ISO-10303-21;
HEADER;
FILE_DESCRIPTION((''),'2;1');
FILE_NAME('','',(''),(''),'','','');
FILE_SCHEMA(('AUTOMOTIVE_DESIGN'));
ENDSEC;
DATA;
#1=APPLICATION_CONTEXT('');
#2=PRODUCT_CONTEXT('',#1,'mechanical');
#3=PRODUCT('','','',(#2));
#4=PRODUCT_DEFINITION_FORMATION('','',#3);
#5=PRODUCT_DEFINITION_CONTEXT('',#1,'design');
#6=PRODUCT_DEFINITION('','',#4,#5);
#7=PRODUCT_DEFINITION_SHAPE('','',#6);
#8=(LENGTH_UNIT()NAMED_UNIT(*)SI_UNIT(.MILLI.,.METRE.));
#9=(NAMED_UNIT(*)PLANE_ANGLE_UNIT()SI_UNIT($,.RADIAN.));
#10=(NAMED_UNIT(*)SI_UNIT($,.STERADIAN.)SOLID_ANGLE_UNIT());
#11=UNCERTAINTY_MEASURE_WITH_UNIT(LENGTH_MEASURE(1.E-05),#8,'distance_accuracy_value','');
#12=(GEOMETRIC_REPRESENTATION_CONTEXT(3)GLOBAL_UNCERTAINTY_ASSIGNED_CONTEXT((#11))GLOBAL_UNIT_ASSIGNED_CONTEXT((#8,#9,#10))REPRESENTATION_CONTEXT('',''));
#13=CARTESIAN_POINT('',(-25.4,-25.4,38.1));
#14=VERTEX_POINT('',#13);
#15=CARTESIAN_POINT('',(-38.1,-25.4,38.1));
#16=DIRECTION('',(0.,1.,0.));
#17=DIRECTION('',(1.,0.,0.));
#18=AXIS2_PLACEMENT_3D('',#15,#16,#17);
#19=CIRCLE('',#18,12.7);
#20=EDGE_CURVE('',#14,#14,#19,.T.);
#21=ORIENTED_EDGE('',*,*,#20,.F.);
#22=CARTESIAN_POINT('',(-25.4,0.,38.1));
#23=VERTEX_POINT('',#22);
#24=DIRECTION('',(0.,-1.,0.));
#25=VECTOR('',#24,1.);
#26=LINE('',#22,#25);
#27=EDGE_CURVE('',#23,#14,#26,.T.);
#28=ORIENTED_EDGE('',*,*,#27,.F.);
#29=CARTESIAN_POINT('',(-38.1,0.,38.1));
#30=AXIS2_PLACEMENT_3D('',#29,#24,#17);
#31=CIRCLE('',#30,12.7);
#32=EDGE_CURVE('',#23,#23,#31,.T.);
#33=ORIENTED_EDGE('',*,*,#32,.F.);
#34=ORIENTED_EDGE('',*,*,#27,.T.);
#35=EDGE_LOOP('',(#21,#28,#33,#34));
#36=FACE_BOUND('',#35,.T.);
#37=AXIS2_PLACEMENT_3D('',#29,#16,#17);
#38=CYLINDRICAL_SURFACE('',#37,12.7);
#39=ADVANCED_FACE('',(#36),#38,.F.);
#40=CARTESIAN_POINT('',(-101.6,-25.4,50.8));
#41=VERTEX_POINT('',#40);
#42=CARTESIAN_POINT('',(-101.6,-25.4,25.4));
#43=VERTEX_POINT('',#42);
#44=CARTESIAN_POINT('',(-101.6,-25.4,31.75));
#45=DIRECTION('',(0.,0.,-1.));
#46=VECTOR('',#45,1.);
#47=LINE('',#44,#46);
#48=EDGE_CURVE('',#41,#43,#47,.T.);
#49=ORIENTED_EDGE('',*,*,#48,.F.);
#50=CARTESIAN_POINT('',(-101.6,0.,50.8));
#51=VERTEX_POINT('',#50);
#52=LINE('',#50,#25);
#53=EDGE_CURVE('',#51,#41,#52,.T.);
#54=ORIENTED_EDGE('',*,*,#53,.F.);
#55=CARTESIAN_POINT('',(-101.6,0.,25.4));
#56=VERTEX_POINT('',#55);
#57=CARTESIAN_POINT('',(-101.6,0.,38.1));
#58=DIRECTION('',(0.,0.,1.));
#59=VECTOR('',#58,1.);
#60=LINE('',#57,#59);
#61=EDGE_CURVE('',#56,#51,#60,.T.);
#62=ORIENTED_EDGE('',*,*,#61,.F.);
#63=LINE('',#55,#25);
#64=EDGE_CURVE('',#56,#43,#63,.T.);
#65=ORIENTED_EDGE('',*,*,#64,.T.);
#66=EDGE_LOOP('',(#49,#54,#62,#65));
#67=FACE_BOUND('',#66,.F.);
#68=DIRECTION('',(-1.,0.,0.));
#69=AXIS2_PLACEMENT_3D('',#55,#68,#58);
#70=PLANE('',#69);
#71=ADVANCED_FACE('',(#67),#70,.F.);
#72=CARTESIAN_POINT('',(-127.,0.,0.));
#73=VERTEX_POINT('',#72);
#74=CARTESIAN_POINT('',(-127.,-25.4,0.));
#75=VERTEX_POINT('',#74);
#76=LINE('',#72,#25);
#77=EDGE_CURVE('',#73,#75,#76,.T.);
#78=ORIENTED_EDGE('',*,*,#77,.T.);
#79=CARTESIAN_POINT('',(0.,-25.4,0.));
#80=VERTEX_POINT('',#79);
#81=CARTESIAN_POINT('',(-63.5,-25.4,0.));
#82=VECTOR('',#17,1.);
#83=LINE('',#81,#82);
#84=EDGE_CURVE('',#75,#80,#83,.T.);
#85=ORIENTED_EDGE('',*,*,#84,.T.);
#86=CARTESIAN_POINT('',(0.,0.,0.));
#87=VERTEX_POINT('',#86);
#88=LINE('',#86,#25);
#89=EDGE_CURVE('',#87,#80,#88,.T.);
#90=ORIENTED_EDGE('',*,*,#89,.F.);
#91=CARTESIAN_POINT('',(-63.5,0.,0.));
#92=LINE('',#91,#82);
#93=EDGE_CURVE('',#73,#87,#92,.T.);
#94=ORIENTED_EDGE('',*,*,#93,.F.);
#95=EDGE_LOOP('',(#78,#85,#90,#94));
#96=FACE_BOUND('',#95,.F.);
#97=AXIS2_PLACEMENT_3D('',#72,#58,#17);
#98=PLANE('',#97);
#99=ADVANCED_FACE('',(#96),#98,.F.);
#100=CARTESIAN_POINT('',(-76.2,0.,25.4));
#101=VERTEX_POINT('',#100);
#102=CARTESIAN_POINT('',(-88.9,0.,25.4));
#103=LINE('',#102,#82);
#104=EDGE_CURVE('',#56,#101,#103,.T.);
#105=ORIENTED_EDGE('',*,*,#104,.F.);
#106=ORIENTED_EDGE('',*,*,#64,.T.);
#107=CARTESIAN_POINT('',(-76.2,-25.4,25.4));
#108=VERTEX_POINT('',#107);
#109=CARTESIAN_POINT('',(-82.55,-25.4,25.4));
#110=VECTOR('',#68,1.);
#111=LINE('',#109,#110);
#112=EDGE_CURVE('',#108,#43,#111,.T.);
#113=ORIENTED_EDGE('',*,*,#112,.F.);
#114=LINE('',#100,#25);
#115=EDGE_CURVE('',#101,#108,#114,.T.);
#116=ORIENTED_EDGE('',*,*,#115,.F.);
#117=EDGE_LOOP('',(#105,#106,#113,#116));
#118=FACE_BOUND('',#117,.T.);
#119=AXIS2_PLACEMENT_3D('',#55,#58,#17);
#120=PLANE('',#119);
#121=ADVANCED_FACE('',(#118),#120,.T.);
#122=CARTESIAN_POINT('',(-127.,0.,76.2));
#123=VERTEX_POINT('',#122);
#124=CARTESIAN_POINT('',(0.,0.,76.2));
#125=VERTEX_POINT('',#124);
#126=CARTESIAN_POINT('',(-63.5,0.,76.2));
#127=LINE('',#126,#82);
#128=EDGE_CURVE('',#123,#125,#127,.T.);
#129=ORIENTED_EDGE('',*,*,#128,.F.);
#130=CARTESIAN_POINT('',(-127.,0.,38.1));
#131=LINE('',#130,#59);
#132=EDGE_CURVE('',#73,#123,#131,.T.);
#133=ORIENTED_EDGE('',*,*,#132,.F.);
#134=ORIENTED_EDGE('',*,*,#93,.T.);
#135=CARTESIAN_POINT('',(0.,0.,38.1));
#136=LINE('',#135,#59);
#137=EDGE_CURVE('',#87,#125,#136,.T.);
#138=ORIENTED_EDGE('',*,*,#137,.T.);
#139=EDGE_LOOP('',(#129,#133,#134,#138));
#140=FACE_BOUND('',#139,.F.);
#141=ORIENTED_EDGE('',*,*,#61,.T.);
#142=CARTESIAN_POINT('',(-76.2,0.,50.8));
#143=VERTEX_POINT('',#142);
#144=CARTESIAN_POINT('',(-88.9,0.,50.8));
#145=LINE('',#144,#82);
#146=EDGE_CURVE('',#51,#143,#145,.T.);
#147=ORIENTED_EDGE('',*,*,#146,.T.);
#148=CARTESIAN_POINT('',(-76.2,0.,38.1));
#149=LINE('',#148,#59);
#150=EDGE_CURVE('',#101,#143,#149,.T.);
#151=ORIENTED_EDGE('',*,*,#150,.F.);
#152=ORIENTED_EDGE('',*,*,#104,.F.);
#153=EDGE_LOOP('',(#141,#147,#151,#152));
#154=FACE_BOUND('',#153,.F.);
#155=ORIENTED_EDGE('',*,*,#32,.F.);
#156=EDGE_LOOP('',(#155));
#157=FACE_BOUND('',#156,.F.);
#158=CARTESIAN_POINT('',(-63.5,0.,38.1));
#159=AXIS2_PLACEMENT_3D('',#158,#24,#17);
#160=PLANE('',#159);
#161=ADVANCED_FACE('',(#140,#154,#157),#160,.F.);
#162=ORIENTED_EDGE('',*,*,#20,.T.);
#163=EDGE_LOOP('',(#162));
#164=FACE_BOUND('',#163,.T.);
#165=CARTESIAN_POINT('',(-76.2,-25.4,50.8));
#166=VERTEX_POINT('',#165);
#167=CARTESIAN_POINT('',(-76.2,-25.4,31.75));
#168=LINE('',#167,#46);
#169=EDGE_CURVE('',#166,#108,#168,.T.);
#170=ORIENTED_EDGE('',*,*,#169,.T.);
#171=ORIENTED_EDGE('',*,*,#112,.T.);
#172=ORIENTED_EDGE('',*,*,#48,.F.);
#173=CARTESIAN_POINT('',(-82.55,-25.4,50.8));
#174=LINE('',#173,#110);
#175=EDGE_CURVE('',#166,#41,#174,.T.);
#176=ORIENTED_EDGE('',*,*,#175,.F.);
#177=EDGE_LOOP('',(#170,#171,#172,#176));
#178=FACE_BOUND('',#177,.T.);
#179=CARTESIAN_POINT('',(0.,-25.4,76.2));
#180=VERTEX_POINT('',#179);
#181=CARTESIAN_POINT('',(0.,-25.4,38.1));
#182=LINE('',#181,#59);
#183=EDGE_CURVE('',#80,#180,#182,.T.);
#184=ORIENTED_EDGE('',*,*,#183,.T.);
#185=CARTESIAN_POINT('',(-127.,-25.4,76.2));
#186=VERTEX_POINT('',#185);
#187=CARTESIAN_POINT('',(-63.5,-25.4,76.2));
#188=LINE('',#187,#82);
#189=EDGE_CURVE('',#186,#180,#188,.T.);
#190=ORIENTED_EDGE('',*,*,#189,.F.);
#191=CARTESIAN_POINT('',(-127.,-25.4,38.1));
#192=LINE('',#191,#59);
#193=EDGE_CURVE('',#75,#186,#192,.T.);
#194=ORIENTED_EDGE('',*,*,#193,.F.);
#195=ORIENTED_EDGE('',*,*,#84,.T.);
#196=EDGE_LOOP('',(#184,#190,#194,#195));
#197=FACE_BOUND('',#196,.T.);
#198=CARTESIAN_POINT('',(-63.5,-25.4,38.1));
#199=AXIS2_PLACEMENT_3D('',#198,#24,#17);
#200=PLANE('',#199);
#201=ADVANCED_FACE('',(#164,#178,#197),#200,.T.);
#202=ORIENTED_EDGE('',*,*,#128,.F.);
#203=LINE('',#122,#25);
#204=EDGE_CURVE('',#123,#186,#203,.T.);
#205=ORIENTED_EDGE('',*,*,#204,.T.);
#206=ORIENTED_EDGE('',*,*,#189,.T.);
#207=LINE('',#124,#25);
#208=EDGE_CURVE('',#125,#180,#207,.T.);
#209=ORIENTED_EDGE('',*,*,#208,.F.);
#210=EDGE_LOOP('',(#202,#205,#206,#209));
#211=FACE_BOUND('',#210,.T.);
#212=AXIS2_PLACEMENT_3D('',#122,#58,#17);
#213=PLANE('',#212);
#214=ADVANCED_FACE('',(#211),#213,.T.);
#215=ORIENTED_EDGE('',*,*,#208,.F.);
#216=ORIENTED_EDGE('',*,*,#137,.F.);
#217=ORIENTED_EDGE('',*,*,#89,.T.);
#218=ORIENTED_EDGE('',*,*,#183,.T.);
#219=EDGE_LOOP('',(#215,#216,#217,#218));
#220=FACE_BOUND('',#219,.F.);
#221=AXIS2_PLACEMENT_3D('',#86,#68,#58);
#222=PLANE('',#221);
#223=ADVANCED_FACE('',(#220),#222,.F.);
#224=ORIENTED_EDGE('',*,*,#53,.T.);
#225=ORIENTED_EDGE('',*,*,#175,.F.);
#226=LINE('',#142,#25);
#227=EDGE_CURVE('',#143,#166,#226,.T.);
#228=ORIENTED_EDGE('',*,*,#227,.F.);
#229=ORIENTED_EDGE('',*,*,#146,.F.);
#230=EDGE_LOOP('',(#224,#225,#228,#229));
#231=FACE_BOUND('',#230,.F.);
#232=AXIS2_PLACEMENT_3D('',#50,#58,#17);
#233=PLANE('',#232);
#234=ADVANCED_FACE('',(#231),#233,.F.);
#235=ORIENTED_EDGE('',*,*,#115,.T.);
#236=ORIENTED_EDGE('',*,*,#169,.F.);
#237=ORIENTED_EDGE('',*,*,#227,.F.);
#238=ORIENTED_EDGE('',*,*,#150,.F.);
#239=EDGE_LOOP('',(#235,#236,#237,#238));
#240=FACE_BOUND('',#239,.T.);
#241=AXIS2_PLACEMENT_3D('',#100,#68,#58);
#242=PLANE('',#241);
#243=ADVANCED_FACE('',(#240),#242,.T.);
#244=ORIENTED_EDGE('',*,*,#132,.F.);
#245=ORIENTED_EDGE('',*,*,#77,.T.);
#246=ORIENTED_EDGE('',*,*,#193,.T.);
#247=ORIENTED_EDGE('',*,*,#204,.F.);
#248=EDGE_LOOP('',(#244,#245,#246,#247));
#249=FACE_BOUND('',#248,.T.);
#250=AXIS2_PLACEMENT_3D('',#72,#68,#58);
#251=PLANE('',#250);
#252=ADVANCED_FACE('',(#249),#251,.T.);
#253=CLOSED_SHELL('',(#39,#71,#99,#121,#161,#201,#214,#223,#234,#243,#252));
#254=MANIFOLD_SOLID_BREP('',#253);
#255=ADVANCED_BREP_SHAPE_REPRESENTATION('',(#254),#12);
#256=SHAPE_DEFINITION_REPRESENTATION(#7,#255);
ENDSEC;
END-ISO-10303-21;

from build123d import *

# Parameters (mm, degrees)
F0_W     = 127
F0_H     = 76.2
F3_DEPTH = 25.4
F2_R     = 12.7
F1_W     = 25.4
F1_H     = 25.4
F4_DEPTH = 40.64


with BuildPart() as f3:
    # F0 (on Front) → F3 (new body)
    with BuildSketch(Plane.XZ):
        with Locations((-63.5, 38.1)):
            Rectangle(F0_W, F0_H)
    extrude(amount=F3_DEPTH)

    # F2 (on face) + F1 (on face) → F4 (cut)
    with BuildSketch(Plane.XZ):
        with Locations((-38.1, 38.1)):
            Circle(F2_R)
    with BuildSketch(Plane.XZ):
        with Locations((-88.9, 38.1)):
            Rectangle(F1_W, F1_H)
    extrude(amount=F4_DEPTH, mode=Mode.SUBTRACT)


solid = f3.part
